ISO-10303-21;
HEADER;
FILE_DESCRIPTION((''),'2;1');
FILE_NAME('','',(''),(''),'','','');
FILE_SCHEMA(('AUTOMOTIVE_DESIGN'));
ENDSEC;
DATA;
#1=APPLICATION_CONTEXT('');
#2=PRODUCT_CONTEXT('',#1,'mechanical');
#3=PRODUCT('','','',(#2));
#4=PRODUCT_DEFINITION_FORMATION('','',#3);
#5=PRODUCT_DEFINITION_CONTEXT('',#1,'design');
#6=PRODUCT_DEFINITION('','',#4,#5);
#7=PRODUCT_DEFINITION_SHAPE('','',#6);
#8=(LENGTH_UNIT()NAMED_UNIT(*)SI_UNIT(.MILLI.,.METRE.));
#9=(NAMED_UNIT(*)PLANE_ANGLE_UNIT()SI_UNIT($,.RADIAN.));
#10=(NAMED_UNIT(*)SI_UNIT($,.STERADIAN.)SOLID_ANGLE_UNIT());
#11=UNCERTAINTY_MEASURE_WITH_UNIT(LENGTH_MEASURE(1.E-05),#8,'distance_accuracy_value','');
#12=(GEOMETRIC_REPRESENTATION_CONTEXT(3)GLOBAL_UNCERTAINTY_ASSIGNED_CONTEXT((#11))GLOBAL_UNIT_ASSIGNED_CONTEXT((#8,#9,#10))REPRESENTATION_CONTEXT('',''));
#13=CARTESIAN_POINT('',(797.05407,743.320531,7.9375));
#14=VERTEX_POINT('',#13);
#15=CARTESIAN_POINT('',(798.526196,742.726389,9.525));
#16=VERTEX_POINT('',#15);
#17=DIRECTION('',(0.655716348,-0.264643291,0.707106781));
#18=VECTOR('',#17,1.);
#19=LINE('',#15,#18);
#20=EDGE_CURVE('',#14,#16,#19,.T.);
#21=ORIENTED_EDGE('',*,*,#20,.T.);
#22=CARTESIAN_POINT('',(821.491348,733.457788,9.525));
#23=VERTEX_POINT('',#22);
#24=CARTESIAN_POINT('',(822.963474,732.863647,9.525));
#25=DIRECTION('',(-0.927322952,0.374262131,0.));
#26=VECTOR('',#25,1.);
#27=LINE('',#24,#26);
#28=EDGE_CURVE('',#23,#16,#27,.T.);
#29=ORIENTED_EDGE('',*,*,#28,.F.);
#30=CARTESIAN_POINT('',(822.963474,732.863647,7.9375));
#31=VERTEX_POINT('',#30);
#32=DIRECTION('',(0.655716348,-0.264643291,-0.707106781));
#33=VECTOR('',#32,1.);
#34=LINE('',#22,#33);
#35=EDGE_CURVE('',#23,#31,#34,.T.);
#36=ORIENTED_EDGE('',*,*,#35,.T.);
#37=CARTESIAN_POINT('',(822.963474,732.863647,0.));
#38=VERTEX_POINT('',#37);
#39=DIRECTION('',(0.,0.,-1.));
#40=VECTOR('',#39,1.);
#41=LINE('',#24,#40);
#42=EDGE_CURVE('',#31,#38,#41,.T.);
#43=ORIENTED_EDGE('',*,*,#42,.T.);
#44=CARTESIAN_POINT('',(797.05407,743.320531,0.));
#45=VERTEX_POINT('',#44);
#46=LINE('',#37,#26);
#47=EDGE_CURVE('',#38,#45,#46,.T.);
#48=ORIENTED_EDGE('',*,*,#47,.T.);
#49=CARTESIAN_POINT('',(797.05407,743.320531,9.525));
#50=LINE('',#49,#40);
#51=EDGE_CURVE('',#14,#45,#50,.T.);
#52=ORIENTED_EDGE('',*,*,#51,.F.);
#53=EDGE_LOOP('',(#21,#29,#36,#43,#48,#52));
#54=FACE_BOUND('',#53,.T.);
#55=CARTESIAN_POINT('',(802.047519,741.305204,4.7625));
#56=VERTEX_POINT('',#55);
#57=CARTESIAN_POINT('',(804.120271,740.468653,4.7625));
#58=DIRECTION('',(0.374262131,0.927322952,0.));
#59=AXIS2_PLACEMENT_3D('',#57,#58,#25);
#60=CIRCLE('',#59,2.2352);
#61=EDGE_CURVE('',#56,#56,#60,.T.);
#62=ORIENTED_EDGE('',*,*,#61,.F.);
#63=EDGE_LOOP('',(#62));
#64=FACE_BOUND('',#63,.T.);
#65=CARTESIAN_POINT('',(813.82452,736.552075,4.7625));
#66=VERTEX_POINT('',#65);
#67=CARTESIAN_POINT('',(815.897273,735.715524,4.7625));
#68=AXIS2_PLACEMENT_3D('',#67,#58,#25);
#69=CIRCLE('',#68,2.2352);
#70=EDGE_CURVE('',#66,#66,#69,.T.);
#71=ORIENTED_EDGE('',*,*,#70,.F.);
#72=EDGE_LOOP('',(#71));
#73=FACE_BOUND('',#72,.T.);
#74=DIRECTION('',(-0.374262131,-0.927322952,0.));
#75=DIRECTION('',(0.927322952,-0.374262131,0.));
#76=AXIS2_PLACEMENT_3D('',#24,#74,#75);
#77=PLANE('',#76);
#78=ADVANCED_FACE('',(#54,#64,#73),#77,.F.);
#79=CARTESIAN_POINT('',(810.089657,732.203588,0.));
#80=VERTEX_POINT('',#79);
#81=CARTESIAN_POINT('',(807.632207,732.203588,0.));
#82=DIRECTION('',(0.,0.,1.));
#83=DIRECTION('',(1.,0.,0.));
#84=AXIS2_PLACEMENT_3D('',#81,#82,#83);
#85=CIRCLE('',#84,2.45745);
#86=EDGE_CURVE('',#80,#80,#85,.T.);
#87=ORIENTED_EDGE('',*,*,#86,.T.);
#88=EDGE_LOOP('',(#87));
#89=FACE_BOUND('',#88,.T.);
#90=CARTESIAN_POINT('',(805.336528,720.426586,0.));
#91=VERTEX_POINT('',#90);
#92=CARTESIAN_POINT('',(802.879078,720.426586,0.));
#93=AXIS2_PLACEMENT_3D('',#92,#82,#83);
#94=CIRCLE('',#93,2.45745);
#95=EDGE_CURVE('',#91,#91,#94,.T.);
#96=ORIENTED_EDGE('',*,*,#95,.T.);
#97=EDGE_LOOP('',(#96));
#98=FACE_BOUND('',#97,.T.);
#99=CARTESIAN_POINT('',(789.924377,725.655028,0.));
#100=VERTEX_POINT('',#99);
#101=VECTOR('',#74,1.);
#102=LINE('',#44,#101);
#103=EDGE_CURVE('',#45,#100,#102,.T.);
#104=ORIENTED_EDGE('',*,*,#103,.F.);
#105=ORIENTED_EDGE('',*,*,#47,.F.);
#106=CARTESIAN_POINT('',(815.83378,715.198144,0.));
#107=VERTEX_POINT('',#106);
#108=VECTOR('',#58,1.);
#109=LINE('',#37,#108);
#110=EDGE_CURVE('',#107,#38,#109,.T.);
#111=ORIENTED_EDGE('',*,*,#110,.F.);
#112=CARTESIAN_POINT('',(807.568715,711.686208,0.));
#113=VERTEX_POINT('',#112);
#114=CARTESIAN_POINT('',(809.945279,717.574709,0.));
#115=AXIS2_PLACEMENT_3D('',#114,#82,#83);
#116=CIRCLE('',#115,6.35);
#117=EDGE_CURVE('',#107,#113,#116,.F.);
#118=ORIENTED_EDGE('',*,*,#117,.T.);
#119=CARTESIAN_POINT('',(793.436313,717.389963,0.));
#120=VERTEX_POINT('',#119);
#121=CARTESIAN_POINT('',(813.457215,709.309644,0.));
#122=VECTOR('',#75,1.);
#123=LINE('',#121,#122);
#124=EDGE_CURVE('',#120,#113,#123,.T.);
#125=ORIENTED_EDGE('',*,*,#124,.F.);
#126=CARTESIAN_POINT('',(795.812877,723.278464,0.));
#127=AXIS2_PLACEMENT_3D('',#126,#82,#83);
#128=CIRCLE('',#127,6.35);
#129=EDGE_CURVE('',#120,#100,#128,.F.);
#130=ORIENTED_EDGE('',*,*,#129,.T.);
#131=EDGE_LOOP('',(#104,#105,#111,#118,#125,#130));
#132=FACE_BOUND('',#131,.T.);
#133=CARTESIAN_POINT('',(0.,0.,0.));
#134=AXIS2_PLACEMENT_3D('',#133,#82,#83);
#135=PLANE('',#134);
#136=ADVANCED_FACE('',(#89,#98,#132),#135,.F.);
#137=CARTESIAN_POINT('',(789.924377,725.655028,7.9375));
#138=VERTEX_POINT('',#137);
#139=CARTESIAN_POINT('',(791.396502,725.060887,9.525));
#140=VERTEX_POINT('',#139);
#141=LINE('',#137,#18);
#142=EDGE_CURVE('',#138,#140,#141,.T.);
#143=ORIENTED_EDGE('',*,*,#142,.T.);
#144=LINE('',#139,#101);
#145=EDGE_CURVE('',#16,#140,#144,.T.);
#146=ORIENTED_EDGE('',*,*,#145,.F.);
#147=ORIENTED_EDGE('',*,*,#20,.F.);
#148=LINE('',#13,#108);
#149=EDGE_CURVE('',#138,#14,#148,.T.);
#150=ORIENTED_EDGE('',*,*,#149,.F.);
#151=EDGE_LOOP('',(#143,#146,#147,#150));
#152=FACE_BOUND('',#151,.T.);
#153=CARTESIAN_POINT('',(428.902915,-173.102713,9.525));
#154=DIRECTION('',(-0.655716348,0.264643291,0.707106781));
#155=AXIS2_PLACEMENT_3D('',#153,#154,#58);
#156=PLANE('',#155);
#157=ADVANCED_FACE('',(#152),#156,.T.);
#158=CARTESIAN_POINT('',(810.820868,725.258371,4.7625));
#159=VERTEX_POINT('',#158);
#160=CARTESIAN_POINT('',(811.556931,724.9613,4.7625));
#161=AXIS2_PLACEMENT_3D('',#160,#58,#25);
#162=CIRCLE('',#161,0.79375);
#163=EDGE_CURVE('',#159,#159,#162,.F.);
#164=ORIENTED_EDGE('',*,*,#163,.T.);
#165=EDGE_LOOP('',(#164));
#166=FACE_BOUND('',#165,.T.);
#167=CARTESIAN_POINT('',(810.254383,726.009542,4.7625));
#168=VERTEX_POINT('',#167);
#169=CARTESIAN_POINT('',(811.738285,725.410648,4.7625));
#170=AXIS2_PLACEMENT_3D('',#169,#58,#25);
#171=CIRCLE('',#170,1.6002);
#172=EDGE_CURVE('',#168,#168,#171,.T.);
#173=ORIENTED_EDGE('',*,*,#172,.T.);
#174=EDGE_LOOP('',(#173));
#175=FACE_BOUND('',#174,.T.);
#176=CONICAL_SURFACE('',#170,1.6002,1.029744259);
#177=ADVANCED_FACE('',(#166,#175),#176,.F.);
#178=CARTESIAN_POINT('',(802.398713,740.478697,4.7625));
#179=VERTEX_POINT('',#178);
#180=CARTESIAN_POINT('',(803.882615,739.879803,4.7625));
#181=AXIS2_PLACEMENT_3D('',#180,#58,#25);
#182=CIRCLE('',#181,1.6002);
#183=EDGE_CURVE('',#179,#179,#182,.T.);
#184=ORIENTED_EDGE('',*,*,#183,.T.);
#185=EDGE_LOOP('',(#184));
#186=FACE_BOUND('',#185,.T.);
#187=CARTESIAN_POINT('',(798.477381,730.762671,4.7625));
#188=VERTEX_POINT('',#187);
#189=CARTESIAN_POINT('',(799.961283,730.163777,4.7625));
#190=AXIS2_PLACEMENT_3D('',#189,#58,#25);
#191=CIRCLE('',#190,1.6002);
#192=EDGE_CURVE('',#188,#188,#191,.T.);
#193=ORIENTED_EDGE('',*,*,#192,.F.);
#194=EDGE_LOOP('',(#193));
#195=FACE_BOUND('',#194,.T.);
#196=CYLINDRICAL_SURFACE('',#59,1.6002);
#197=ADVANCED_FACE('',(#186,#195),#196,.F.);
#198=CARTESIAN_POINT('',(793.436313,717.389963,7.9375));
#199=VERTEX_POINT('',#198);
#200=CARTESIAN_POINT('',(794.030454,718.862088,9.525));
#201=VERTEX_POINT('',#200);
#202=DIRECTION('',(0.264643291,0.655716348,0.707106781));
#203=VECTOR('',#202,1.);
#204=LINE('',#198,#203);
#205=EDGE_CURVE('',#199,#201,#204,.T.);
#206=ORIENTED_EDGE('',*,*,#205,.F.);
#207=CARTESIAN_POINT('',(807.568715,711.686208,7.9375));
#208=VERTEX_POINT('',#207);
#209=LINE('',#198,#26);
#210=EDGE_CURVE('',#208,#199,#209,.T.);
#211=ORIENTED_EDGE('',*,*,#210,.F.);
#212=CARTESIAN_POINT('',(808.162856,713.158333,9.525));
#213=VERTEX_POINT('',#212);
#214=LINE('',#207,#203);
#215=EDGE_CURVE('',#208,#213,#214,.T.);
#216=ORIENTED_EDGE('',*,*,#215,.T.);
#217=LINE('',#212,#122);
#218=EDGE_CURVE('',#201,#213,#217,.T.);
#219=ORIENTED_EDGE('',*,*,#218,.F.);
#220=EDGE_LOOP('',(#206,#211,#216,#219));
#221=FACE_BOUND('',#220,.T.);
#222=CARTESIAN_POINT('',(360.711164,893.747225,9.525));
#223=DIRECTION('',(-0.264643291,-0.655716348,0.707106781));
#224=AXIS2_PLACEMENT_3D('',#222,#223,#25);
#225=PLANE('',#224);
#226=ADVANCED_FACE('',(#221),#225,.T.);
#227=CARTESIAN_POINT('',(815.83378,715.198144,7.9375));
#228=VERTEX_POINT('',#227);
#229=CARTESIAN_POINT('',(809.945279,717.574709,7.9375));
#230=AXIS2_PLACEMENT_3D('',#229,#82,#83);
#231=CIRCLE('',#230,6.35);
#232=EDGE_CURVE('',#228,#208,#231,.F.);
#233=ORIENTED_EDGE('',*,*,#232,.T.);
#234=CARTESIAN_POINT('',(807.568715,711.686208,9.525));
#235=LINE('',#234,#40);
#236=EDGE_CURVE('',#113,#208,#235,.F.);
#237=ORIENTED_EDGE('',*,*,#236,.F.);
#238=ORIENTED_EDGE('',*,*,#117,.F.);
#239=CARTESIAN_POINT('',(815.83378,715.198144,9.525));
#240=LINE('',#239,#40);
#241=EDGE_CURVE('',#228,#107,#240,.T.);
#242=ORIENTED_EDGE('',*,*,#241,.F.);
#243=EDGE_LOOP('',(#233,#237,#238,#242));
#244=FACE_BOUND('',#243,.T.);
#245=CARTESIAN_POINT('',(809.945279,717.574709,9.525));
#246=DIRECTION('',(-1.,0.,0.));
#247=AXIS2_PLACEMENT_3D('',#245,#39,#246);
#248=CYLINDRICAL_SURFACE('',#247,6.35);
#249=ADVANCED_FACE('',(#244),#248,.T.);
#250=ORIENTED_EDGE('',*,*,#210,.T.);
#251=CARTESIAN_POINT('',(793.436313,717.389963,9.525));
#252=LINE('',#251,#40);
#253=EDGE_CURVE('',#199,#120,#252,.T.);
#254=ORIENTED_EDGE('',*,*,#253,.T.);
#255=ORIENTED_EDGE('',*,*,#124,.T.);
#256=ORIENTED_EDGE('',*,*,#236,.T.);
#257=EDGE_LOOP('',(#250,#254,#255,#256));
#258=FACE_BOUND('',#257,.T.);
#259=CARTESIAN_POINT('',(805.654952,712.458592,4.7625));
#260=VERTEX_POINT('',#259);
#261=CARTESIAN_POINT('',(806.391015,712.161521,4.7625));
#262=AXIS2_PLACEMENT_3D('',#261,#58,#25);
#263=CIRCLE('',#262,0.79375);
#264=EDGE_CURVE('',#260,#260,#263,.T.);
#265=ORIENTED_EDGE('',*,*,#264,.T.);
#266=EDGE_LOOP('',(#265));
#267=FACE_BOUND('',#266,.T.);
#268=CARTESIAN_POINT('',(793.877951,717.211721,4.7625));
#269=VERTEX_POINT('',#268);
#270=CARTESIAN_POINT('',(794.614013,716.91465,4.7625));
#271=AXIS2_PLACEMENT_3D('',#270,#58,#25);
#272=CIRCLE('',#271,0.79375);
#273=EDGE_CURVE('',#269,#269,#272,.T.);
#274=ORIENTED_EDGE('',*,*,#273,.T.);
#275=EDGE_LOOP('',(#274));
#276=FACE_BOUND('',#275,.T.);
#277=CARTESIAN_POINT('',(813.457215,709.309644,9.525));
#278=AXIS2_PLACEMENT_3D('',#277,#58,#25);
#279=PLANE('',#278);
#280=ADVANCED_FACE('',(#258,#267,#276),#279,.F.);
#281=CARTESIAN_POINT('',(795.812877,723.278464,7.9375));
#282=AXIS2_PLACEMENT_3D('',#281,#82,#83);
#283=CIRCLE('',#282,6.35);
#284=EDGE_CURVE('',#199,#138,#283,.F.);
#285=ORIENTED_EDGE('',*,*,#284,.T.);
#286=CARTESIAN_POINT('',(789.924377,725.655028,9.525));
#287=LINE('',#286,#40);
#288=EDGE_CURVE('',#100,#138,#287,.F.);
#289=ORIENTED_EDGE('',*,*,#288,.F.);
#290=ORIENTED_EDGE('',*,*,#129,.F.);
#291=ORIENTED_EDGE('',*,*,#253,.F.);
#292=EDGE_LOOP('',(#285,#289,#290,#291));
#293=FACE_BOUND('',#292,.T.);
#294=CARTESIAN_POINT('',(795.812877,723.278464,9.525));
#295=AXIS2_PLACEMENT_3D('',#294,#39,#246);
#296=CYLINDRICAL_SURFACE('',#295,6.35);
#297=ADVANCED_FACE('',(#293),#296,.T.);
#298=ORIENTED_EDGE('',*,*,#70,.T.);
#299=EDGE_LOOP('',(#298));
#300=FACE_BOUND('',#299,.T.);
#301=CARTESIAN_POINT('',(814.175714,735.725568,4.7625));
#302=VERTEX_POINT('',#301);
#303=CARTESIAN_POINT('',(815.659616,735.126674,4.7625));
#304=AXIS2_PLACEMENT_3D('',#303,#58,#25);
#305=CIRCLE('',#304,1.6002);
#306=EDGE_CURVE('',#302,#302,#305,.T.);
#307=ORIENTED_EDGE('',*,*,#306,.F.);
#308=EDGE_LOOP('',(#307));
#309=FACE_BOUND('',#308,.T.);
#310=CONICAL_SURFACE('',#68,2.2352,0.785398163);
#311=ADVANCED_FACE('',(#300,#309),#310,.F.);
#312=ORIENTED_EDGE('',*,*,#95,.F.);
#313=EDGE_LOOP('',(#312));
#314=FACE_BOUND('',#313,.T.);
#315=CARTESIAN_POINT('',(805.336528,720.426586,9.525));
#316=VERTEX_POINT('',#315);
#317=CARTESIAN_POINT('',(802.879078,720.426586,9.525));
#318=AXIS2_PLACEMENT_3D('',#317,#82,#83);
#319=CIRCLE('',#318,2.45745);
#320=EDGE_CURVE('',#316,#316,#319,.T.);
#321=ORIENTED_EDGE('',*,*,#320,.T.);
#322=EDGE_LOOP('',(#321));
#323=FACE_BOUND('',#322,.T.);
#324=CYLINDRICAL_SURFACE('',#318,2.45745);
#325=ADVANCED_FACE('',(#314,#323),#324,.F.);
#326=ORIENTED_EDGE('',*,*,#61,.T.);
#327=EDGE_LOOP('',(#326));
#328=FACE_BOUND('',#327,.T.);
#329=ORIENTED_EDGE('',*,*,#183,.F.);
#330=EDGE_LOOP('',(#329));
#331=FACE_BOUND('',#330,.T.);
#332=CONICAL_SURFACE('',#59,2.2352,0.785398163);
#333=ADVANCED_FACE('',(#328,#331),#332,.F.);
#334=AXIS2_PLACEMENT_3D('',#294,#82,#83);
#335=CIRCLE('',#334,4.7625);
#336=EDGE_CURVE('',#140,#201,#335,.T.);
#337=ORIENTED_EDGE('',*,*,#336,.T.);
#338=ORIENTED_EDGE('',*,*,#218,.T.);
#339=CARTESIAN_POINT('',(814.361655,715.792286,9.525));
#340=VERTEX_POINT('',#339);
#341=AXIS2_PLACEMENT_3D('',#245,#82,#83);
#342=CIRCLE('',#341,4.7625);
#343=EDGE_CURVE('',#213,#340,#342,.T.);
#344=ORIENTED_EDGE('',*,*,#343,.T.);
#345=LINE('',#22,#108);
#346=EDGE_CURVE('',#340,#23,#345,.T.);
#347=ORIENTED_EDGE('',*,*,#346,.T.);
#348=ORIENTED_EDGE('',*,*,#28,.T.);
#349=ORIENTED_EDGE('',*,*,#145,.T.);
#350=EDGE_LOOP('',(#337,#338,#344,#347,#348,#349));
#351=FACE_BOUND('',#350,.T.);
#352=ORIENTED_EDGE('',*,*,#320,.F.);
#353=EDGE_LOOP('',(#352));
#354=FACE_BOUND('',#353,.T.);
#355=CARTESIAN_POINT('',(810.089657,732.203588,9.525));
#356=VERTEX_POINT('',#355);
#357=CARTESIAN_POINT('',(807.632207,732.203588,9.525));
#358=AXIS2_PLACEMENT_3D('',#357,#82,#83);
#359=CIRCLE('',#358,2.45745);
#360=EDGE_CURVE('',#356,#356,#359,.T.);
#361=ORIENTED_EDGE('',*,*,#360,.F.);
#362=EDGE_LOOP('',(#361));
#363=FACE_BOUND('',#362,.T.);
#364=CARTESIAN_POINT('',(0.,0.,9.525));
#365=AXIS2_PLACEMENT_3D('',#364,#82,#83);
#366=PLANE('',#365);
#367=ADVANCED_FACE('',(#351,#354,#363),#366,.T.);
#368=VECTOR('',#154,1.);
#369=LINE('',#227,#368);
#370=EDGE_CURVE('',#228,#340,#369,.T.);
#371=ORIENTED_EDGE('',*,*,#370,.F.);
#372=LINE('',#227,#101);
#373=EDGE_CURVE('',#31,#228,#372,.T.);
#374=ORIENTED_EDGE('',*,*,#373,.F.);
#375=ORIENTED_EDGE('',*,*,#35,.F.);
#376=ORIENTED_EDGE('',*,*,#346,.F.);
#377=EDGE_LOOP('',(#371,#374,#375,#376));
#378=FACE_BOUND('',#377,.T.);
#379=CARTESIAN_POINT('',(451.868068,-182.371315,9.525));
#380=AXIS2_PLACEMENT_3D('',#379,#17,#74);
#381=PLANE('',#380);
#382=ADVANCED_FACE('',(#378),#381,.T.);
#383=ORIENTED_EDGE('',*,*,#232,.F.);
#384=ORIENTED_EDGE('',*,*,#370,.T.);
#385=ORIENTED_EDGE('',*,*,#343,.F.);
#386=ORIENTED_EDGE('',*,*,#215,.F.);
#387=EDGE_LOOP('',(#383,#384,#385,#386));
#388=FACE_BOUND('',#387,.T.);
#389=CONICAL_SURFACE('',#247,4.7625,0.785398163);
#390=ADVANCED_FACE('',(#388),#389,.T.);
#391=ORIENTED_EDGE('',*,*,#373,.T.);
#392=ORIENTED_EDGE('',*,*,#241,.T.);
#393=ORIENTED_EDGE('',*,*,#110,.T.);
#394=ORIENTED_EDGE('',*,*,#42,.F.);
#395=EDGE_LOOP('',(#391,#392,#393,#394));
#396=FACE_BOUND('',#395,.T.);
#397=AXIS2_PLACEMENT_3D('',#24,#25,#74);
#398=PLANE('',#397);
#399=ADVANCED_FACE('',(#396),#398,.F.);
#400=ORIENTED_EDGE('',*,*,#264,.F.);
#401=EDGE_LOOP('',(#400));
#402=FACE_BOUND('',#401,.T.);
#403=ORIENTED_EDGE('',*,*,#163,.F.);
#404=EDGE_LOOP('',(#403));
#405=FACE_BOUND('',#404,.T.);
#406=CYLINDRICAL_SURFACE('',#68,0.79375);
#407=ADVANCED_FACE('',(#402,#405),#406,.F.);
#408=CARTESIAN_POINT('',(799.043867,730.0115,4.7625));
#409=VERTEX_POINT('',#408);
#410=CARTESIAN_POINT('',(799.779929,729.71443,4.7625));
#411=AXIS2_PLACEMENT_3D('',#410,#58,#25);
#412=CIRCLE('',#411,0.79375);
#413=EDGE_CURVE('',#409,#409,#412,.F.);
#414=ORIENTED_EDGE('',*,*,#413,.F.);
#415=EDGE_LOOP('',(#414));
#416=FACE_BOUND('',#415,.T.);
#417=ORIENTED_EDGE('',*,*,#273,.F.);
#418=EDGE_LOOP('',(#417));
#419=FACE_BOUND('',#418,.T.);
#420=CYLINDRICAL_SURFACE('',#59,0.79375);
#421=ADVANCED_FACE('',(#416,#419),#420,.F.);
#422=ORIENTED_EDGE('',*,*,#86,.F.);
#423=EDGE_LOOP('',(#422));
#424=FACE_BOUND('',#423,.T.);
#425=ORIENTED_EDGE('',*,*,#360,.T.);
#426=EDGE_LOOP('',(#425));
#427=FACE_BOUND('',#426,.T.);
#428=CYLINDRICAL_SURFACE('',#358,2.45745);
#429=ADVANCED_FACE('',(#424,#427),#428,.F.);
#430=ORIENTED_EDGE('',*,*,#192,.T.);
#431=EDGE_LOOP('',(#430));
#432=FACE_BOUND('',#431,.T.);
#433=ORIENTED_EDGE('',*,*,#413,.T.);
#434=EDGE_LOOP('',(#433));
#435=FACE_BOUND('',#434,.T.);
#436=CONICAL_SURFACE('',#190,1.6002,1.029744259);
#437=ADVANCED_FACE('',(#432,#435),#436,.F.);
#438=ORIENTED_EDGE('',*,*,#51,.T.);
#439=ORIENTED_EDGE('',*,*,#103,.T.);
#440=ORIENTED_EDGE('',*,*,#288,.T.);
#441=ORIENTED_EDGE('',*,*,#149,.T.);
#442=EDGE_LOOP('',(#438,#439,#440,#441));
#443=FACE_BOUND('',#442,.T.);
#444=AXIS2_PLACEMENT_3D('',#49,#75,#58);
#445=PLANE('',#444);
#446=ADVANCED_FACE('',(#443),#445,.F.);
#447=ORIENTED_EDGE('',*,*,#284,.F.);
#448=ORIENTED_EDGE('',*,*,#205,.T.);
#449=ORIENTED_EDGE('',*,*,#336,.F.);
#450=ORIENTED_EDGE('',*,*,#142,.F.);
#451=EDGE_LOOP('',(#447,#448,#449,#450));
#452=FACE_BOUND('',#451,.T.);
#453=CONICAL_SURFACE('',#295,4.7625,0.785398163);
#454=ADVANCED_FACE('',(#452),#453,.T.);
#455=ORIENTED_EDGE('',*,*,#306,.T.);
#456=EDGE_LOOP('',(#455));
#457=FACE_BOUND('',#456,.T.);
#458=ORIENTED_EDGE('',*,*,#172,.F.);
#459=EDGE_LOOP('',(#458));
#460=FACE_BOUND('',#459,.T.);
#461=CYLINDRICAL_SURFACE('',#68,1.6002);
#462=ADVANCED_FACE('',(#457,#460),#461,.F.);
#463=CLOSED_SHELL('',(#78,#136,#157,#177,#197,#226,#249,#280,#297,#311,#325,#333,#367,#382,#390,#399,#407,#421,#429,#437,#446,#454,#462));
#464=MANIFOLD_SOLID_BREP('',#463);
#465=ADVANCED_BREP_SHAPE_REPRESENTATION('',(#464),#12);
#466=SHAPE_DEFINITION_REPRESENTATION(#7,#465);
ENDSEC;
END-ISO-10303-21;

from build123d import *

# Parameters (mm, degrees)
BOSS_EXTRUDE1_DEPTH                 = 9.525
FILLET1_R                           = 6.35
CHAMFER3_SIZE                       = 1.5875
F_1_8_0_126_DOWEL_HOLE1_D           = 3.2004
F_1_8_0_126_DOWEL_HOLE1_DEPTH       = 11.1125
F_1_8_0_126_DOWEL_HOLE1_CSINK_D     = 4.4704
F_1_8_0_126_DOWEL_HOLE1_CSINK_ANGLE = 90
F_1_8_0_126_DOWEL_HOLE1_TIP         = 0.961497163
F_1_16_0_0625_DIAMETER_HOLE1_D      = 1.5875
F_8_CLEARANCE_HOLE1_D               = 4.9149


with BuildPart() as part:
    # Sketch1 → Boss-Extrude1 (new body)
    with BuildSketch(Plane.XY):
        Polygon((822.963473633, 732.863646666), (813.457215496, 709.309643689), (787.547812221, 719.76652764), (797.054070358, 743.320530617), align=None)
    extrude(amount=BOSS_EXTRUDE1_DEPTH)

    # Fillet1
    fillet1_edges = [part.edges().sort_by_distance(p)[0] for p in [
        (813.457215496, 709.309643689, 4.7625),
        (787.547812221, 719.76652764, 4.7625),
    ]]
    fillet(fillet1_edges, radius=FILLET1_R)

    # Chamfer3
    chamfer3_edges = [part.edges().sort_by_distance(p)[0] for p in [
        (800.502513859, 714.538085664, 9.525),
        (819.398626831, 724.03089555, 9.525),
        (812.428593195, 711.730425262, 9.525),
        (789.968593794, 720.795149941, 9.525),
        (793.489223557, 734.4877795, 9.525),
    ]]
    chamfer(chamfer3_edges, length=CHAMFER3_SIZE)

    # 1/8 (0.126) Dowel Hole1
    with Locations(Plane(origin=(369.623280938, 915.829102682, 0), x_dir=(0.9273229518431505, -0.3742621313797403, 0), z_dir=(0.3742621313797403, 0.9273229518431505, 0))):
        with Locations((481.249807216, -4.7625), (468.549807216, -4.7625)):
            CounterSinkHole(F_1_8_0_126_DOWEL_HOLE1_D / 2, F_1_8_0_126_DOWEL_HOLE1_CSINK_D / 2, depth=F_1_8_0_126_DOWEL_HOLE1_DEPTH, counter_sink_angle=F_1_8_0_126_DOWEL_HOLE1_CSINK_ANGLE)
            with Locations((0, 0, -(F_1_8_0_126_DOWEL_HOLE1_DEPTH + F_1_8_0_126_DOWEL_HOLE1_TIP / 2))):  # 118° drill point
                Cone(0, F_1_8_0_126_DOWEL_HOLE1_D / 2, F_1_8_0_126_DOWEL_HOLE1_TIP, mode=Mode.SUBTRACT)

    # 1/16 (0.0625) Diameter Hole1 (through all)
    with Locations(Plane(origin=(369.623280938, 915.829102682, 0), x_dir=(0.9273229518431505, -0.3742621313797403, 0), z_dir=(0.3742621313797403, 0.9273229518431505, 0))):
        with Locations((468.549807216, -4.7625), (481.249807216, -4.7625)):
            Hole(F_1_16_0_0625_DIAMETER_HOLE1_D / 2)

    # #8 Clearance Hole1 (through all)
    with Locations(Plane.XY.offset(9.525)):
        with Locations((802.879078393, 720.426586409), (807.632207461, 732.203587897)):
            Hole(F_8_CLEARANCE_HOLE1_D / 2)


solid = part.part
